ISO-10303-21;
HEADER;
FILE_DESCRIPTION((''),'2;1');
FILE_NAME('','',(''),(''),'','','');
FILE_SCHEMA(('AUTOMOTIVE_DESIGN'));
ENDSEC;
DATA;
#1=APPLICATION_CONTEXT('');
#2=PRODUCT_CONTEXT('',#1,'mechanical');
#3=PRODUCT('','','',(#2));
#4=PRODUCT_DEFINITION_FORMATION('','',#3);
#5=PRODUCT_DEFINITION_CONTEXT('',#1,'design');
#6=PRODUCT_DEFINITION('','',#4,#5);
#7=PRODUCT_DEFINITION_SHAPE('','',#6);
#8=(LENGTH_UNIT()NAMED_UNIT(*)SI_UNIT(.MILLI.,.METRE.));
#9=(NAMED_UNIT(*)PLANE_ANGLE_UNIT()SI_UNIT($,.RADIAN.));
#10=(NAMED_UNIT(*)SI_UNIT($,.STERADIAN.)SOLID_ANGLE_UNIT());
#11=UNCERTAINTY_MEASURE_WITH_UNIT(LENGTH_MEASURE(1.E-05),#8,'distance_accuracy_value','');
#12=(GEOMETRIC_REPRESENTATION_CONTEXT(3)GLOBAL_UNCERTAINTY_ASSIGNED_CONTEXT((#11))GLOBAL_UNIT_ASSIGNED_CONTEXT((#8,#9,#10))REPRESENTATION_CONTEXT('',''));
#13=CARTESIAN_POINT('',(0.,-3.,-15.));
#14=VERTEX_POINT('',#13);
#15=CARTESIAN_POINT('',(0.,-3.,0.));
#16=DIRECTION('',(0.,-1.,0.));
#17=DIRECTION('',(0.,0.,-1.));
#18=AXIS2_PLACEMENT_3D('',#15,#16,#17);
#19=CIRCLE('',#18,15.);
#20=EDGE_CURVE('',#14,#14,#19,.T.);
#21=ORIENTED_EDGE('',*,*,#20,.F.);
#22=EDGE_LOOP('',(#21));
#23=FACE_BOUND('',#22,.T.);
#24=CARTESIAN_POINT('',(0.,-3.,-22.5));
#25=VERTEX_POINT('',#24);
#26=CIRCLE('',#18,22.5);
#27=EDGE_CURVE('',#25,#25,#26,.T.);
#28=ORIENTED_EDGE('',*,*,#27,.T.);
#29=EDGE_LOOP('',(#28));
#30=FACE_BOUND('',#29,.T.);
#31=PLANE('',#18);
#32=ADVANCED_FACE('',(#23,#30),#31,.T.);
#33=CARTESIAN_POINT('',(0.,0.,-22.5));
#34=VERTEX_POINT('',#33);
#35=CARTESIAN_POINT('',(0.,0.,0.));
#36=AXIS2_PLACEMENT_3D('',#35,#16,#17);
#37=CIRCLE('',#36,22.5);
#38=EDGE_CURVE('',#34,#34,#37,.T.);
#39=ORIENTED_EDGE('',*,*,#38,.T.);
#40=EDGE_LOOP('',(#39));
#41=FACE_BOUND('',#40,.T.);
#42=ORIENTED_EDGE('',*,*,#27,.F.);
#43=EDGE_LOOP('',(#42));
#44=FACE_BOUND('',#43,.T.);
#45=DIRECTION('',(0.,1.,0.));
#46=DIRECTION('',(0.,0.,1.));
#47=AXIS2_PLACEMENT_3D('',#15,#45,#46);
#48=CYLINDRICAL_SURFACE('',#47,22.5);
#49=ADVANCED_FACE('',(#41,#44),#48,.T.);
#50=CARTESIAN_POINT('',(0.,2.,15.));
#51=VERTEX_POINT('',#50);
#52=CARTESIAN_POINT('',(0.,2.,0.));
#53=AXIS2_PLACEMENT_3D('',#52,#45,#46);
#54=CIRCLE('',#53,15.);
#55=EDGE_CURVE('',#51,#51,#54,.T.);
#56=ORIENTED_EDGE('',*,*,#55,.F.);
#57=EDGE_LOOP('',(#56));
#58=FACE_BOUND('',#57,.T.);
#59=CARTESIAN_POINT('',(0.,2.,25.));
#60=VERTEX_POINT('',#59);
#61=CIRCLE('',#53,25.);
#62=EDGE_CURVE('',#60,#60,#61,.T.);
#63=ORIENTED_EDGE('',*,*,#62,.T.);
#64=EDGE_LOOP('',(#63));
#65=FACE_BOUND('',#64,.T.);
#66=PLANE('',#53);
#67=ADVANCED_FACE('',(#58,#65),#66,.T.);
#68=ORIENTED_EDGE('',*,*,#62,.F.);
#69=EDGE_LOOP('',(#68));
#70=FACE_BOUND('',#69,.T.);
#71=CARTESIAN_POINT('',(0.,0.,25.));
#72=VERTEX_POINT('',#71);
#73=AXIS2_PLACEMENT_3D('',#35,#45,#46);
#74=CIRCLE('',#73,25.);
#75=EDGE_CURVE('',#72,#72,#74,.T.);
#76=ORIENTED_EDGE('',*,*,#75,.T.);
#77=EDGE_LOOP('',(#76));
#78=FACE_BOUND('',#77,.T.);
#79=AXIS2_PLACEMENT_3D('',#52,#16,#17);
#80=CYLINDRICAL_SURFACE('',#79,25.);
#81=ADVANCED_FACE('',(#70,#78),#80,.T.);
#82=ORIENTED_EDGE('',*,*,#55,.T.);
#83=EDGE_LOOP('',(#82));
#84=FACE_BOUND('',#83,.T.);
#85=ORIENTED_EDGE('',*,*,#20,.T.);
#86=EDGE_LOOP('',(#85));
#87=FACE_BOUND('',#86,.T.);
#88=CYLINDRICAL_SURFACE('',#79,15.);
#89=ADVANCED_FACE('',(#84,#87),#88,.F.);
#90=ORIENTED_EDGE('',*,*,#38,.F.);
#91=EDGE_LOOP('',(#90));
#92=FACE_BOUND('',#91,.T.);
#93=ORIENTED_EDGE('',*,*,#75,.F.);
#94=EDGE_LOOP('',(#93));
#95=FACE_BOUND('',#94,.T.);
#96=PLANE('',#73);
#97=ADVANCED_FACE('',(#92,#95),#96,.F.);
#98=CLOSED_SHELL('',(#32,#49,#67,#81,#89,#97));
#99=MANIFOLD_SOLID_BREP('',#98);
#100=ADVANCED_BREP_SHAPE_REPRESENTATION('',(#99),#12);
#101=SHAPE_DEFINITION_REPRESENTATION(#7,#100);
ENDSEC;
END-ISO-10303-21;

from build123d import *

# Parameters (mm, degrees)
SKETCH1_R           = 25
SKETCH1_R_2         = 15
BOSS_EXTRUDE1_DEPTH = 2
SKETCH2_R           = 22.5
SKETCH2_R_2         = 15
BOSS_EXTRUDE2_DEPTH = 3


with BuildPart() as part:
    # Sketch1 → Boss-Extrude1 (new body)
    with BuildSketch(Plane(origin=(0, 0, 0), x_dir=(1, 0, 0), z_dir=(0, 1, 0))):
        Circle(SKETCH1_R)
        Circle(SKETCH1_R_2, mode=Mode.SUBTRACT)
    extrude(amount=BOSS_EXTRUDE1_DEPTH)

    # Sketch2 → Boss-Extrude2 (add)
    with BuildSketch(Plane.XZ):
        Circle(SKETCH2_R)
        Circle(SKETCH2_R_2, mode=Mode.SUBTRACT)
    extrude(amount=BOSS_EXTRUDE2_DEPTH)


solid = part.part
